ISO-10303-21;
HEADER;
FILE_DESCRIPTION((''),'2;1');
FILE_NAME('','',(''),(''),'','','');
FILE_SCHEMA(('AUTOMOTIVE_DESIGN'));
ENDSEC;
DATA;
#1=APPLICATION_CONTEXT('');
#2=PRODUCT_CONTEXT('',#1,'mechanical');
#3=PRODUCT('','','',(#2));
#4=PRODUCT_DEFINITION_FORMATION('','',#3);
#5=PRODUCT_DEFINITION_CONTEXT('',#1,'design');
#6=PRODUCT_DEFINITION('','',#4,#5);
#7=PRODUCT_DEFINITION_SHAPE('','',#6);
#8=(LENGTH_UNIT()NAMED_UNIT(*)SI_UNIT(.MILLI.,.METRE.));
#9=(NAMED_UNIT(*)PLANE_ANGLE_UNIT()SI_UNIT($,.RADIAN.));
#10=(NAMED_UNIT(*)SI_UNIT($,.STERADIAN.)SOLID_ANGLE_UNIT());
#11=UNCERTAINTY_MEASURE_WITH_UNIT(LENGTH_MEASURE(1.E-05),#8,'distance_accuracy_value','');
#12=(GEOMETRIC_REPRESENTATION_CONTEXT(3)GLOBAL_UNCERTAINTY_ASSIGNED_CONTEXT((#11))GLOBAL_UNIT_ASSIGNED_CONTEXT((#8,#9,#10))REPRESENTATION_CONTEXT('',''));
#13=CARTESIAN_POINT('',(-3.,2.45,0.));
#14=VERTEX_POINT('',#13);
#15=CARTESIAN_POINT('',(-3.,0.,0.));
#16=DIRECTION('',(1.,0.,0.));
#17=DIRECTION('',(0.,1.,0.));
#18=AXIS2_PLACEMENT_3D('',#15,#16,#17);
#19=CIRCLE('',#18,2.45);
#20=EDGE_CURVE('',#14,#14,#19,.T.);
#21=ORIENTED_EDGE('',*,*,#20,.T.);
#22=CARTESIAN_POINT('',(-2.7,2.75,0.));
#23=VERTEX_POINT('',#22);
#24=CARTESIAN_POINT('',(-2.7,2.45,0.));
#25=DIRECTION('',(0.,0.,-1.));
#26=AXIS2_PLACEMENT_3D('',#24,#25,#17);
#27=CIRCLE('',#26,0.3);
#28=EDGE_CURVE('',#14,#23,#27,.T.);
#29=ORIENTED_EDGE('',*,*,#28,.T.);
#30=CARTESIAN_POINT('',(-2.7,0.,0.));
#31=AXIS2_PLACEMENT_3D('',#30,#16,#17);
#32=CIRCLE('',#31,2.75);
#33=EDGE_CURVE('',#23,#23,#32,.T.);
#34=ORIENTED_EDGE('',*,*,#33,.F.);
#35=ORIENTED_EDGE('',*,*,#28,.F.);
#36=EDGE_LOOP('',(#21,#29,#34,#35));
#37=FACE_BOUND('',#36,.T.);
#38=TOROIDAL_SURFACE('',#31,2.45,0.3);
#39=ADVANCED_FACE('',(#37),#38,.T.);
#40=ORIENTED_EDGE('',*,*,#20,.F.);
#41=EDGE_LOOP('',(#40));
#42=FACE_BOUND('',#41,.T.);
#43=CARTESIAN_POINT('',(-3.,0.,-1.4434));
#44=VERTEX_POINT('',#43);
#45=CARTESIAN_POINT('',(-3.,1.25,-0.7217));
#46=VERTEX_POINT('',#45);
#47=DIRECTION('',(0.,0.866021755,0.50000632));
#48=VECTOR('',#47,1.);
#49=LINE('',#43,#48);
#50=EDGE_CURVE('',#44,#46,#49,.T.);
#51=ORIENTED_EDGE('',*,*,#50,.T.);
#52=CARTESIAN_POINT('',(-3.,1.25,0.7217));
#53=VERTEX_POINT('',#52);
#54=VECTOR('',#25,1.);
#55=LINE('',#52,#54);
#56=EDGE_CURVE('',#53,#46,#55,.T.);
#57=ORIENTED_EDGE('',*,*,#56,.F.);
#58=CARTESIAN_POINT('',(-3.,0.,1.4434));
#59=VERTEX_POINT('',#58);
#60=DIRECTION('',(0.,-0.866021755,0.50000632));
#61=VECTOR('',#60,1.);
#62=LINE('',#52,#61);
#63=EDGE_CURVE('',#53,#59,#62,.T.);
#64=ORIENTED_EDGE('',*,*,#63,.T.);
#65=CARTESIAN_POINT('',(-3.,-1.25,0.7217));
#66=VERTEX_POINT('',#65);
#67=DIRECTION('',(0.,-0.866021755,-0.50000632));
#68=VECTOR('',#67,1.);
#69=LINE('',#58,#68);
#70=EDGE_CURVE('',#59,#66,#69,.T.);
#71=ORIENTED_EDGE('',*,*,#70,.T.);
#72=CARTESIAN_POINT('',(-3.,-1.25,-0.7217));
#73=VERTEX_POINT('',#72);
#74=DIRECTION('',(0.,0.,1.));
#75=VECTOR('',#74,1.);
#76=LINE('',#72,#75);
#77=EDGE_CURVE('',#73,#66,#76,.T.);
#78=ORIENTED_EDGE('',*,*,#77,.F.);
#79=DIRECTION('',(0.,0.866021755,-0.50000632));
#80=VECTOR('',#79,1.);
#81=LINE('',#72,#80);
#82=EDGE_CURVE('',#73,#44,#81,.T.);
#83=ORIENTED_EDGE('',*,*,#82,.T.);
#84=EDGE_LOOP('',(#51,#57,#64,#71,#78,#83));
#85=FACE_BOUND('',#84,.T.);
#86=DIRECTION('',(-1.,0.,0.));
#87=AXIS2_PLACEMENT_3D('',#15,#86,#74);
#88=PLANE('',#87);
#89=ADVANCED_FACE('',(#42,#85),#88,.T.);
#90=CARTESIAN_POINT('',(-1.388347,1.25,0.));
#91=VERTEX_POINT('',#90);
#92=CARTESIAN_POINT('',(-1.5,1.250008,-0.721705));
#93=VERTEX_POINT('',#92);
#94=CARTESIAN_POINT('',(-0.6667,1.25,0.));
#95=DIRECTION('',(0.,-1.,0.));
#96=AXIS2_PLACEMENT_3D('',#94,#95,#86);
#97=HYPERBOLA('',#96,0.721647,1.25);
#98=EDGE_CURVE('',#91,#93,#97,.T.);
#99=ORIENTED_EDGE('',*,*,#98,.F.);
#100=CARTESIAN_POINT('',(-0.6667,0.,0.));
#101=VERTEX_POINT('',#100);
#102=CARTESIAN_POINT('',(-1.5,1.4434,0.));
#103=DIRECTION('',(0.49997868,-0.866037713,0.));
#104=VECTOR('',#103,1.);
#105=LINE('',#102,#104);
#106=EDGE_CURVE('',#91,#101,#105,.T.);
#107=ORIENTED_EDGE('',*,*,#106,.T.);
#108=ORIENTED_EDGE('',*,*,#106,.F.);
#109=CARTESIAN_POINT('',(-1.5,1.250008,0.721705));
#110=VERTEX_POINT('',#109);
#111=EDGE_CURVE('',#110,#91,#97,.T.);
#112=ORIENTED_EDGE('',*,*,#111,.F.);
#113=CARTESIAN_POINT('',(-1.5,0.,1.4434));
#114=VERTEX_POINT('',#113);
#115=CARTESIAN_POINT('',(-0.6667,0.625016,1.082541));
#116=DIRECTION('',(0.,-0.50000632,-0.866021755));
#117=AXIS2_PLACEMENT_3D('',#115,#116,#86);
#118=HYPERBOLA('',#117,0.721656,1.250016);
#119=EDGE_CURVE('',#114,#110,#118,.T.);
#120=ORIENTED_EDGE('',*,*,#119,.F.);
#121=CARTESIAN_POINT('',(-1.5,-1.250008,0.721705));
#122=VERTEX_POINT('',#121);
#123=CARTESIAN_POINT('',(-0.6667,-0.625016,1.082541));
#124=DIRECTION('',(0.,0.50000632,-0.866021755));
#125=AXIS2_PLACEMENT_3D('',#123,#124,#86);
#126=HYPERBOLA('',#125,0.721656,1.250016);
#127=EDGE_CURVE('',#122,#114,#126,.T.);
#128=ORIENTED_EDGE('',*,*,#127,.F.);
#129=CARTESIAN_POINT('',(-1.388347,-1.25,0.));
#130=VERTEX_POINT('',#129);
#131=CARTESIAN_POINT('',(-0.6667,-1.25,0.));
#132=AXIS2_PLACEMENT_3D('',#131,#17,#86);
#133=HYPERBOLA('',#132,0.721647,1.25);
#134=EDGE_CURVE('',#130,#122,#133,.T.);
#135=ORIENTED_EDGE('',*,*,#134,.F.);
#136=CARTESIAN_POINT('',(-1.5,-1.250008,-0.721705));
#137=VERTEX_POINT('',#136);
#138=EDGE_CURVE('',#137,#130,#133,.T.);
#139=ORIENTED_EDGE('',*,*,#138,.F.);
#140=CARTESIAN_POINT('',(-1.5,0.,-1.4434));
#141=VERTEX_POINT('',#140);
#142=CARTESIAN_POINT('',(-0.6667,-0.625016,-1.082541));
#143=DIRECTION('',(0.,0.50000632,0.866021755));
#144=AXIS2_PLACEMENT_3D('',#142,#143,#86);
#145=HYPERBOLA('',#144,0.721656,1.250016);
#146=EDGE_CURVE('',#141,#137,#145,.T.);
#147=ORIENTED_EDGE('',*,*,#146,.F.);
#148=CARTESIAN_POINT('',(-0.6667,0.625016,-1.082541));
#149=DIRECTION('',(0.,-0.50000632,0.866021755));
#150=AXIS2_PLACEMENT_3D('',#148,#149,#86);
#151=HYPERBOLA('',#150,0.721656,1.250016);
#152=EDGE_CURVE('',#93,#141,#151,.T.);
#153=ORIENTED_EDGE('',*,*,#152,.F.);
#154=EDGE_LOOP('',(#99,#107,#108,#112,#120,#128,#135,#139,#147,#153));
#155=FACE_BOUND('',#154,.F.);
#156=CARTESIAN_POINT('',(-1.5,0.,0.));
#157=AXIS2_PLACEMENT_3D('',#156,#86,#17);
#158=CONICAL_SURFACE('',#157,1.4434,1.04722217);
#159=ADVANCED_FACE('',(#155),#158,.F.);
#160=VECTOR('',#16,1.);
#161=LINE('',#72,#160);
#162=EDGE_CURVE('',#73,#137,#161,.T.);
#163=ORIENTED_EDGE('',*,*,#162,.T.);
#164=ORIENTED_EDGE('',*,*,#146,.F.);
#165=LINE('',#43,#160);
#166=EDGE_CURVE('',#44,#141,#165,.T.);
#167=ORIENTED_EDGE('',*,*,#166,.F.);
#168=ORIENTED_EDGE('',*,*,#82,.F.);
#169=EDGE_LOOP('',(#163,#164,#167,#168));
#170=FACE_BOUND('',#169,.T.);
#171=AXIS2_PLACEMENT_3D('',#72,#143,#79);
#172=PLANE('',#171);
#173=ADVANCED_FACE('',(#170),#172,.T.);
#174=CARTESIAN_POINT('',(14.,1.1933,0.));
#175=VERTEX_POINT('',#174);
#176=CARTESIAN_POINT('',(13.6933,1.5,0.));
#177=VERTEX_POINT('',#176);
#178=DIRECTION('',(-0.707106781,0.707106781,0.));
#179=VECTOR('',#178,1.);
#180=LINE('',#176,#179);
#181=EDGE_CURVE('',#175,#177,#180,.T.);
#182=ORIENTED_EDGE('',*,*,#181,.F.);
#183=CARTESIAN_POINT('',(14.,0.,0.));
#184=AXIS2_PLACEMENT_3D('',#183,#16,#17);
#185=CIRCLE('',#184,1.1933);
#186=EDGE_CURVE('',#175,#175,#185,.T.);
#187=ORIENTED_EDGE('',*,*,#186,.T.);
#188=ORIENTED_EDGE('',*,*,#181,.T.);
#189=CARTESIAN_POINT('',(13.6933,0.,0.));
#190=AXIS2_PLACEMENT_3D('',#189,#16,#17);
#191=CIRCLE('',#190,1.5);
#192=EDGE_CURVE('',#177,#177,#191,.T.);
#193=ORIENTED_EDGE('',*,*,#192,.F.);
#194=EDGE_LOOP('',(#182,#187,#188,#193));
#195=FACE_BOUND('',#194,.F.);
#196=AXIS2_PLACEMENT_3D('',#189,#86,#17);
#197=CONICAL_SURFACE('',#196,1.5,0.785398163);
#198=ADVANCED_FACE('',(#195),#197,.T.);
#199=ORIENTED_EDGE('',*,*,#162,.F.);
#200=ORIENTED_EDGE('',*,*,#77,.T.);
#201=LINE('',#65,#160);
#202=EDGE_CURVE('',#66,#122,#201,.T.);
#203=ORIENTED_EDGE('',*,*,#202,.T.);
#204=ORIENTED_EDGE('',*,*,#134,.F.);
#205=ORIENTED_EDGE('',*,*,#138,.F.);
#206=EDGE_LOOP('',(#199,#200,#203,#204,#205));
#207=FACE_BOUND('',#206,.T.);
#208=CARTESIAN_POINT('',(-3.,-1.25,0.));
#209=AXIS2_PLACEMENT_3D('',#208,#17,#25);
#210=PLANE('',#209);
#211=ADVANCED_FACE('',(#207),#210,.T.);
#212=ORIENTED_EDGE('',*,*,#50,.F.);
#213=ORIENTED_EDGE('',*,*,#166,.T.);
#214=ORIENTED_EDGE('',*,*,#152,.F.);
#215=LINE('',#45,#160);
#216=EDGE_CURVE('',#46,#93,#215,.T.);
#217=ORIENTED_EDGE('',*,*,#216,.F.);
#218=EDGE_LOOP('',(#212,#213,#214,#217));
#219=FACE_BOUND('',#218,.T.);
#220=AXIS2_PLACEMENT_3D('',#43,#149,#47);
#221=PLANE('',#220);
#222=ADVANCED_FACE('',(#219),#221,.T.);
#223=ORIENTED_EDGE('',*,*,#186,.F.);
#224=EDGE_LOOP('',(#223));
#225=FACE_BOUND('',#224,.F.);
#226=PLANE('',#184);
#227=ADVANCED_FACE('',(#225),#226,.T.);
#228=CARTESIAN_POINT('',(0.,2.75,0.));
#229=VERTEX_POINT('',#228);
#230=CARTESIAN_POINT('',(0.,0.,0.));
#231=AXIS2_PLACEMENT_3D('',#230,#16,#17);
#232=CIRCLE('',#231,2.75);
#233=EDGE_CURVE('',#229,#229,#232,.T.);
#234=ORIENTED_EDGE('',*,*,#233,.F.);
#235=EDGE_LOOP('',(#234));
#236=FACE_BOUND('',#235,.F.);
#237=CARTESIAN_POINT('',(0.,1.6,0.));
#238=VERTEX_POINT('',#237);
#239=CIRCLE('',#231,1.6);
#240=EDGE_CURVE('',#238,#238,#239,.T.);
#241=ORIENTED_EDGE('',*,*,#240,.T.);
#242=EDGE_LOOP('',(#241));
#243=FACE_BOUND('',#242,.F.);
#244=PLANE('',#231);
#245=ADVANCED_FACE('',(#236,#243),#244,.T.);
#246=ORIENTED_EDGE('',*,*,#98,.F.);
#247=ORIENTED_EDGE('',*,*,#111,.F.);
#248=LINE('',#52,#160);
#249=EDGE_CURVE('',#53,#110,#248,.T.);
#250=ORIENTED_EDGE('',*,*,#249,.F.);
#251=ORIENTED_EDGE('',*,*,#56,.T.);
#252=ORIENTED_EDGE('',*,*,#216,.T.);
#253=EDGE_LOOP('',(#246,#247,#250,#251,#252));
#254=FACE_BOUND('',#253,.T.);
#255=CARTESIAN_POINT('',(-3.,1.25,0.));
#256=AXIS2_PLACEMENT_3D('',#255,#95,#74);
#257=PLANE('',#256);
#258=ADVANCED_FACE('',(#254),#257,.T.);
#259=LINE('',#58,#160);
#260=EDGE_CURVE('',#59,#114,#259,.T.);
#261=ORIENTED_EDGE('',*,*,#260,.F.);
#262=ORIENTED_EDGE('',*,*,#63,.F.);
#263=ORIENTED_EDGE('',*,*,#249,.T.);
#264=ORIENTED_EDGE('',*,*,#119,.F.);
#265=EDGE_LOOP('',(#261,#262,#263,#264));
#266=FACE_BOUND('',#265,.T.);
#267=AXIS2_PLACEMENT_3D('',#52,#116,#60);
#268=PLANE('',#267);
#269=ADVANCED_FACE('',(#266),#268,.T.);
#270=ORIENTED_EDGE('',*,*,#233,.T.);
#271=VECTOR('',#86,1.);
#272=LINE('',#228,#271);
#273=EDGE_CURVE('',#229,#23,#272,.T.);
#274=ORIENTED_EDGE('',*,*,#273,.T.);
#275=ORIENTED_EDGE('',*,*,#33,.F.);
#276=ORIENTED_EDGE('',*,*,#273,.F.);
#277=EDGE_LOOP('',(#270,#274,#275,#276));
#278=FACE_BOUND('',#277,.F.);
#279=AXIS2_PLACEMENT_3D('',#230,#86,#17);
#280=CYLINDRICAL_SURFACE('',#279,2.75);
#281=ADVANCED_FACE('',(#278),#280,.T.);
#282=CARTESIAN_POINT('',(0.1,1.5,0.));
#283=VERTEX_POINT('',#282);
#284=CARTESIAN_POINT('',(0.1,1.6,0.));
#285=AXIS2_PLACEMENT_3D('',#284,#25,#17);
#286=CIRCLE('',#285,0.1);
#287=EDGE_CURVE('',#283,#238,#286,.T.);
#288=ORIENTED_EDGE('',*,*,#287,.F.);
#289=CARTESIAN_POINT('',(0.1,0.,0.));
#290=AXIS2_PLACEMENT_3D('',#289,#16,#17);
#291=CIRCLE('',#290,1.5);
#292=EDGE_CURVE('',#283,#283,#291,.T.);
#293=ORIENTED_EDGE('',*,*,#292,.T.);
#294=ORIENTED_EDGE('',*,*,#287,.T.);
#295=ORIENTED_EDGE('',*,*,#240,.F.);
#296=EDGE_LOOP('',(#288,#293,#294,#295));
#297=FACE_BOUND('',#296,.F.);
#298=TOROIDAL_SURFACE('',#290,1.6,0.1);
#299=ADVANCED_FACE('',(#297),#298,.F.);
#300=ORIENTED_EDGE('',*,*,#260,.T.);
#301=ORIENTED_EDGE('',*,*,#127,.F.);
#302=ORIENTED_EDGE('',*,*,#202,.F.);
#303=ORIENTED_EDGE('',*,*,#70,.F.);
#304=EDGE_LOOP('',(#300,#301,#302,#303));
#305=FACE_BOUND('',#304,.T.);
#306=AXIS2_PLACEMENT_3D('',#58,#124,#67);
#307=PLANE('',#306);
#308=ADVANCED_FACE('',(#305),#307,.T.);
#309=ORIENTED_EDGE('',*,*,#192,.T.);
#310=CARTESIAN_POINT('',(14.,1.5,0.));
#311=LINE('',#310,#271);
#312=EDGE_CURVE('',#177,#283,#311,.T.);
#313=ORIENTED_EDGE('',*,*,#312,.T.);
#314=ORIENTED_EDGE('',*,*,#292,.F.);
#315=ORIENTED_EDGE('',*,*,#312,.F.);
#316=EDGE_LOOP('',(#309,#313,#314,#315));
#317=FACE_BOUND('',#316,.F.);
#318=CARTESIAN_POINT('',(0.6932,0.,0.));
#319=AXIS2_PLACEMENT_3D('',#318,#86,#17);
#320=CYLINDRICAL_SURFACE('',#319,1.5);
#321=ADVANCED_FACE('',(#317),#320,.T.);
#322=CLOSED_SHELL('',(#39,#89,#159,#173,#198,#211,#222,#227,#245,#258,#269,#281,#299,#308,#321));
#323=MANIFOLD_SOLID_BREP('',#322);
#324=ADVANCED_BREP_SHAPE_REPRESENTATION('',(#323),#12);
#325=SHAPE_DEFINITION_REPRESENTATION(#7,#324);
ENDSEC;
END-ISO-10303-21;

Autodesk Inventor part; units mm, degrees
ref_plane "YZ Plane" through (0, 0, 0) normal (1, 0, 0) x (0, 1, 0)
ref_plane "XZ Plane" through (0, 0, 0) normal (0, 1, 0) x (-1, 0, 0)
sketch "Sketch1" plane through (0, 0, 0) normal (0, 0, 1) x (1, 0, 0)
  line L0 (-0.6667, 0) -> (14, 0)
  line L1 (14, 0) -> (14, 1.5)
  line L2 (14, 1.5) -> (1, 1.5)
  line L3 (1, 1.5) -> (0.6932, 1.5)
  line L4 (0.6932, 1.5) -> (0, 1.5)
  line L5 (0, 1.5) -> (0, 2.75)
  line L6 (0, 2.75) -> (-3, 2.75)
  line L7 (-3, 2.75) -> (-3, 1.4434)
  line L8 (-3, 1.4434) -> (-1.5, 1.4434)
  line L9 (-1.5, 1.4434) -> (-0.6667, 0)
  line L10 (-6.8, 0) -> (19.8, 0) projected
  line L11 (0, -0.55) -> (0, 3.3) projected
  line L12 (1, 1.5) -> (0, 1.5) construction
  dimension "d1" = 13
  dimension "d2" = 0.3068
  dimension "d3" = 3
  dimension "d4" = 1.5
  dimension "d5" = 60
  dimension "d6" = 3
  dimension "d7" = 3
  dimension "d8" = 2.8868
  dimension "d9" = 5.5
  dimension "d26" = 14
revolve "Body" add sketch "Sketch1" angle 360 about axis through (-0.6667, 0, 0) along (1, 0, 0)
sketch "Sketch2" plane through (-3, 0, 0) normal (-1, 0, 0) x (0, 0, 1)
  circle A0 centre (0, 0) radius 1.4434 projected
  line L0 (0, -3.85) -> (0, 3.85) projected
  line L1 (-3.85, 0) -> (3.85, 0) projected
  line L2 (1.4434, 0) -> (0.7217, -1.25)
  line L3 (0.7217, -1.25) -> (-0.7217, -1.25)
  line L4 (-0.7217, -1.25) -> (-1.4434, 0)
  line L5 (-1.4434, 0) -> (-0.7217, 1.25)
  line L6 (-0.7217, 1.25) -> (0.7217, 1.25)
  line L7 (0.7217, 1.25) -> (1.4434, 0)
extrude "Slot" add sketch "Sketch2" against normal up to next contours L7 A0 | A0 L2 | L6 L0 A0 | A0 L0 L3 | L0 L6 A0 | A0 L3 L0 | L4 A0 | A0 L5
fillet "Fillet1" radius 0.3 1 edges at (-3, -2.75, 0)
thread "Thread" size "M3x0.5" class "6g" standard "ISO Metric profile" length 13
chamfer "Chamfer1" distance 0.3067 distance2 0.3067 1 edges at (14, -1.5, 0) measured on face at (14, 0.5539, 0.4443)
ref_plane "Work Plane1" through (29, 0, 0) normal (0, -1, 0) x (1, 0, 0)
fillet "Fillet2" radius 0.1 1 edges at (0, -1.5, 0)
equation "\"d1\" = GEL"
equation "\"d3\" = KOH"
equation "\"d4\" = INTI"
equation "\"d6\" = GD"
equation "\"d7\" = BDM"
equation "\"d8\" = 1.1547 * SW"
equation "\"d9\" = KOD"
equation "\"d26\" = NLG"
equation "\"d30\" = R"
equation "\"d17\" = RR"
equation "\"d13\" = GEL"
equation "\"d15\" = -0.5 * SPD + 0.5 * GD"
equation "\"d16\" = GUL"
equation "\"GD\" = NND"
equation "\"NLG\" = 14"
equation "\"GEL\" = 13"
equation "\"KOD\" = 5.5"
equation "\"KOH\" = 3"
equation "\"INTI\" = 1.5"
equation "\"GAL\" = 0.61345 * PTC"
equation "\"GUL\" = 0.61345 * PTC"
equation "\"BDM\" = NND"
equation "\"SW\" = 2.5"
equation "\"RR\" = 0.3"
equation "\"SPD\" = 2.38655"
equation "\"R\" = 0.1"
equation "\"TOA\" = 30deg"
equation "\"THREADDIA\" = 3"
equation "\"PTC\" = 0.5"
equation "\"NND\" = 3"
equation "\"E0\" = 1.155 * SW"
equation "\"GD1\" = THREADDIA - 1.2269 * PTC"
properties material "Steel, Mild"
